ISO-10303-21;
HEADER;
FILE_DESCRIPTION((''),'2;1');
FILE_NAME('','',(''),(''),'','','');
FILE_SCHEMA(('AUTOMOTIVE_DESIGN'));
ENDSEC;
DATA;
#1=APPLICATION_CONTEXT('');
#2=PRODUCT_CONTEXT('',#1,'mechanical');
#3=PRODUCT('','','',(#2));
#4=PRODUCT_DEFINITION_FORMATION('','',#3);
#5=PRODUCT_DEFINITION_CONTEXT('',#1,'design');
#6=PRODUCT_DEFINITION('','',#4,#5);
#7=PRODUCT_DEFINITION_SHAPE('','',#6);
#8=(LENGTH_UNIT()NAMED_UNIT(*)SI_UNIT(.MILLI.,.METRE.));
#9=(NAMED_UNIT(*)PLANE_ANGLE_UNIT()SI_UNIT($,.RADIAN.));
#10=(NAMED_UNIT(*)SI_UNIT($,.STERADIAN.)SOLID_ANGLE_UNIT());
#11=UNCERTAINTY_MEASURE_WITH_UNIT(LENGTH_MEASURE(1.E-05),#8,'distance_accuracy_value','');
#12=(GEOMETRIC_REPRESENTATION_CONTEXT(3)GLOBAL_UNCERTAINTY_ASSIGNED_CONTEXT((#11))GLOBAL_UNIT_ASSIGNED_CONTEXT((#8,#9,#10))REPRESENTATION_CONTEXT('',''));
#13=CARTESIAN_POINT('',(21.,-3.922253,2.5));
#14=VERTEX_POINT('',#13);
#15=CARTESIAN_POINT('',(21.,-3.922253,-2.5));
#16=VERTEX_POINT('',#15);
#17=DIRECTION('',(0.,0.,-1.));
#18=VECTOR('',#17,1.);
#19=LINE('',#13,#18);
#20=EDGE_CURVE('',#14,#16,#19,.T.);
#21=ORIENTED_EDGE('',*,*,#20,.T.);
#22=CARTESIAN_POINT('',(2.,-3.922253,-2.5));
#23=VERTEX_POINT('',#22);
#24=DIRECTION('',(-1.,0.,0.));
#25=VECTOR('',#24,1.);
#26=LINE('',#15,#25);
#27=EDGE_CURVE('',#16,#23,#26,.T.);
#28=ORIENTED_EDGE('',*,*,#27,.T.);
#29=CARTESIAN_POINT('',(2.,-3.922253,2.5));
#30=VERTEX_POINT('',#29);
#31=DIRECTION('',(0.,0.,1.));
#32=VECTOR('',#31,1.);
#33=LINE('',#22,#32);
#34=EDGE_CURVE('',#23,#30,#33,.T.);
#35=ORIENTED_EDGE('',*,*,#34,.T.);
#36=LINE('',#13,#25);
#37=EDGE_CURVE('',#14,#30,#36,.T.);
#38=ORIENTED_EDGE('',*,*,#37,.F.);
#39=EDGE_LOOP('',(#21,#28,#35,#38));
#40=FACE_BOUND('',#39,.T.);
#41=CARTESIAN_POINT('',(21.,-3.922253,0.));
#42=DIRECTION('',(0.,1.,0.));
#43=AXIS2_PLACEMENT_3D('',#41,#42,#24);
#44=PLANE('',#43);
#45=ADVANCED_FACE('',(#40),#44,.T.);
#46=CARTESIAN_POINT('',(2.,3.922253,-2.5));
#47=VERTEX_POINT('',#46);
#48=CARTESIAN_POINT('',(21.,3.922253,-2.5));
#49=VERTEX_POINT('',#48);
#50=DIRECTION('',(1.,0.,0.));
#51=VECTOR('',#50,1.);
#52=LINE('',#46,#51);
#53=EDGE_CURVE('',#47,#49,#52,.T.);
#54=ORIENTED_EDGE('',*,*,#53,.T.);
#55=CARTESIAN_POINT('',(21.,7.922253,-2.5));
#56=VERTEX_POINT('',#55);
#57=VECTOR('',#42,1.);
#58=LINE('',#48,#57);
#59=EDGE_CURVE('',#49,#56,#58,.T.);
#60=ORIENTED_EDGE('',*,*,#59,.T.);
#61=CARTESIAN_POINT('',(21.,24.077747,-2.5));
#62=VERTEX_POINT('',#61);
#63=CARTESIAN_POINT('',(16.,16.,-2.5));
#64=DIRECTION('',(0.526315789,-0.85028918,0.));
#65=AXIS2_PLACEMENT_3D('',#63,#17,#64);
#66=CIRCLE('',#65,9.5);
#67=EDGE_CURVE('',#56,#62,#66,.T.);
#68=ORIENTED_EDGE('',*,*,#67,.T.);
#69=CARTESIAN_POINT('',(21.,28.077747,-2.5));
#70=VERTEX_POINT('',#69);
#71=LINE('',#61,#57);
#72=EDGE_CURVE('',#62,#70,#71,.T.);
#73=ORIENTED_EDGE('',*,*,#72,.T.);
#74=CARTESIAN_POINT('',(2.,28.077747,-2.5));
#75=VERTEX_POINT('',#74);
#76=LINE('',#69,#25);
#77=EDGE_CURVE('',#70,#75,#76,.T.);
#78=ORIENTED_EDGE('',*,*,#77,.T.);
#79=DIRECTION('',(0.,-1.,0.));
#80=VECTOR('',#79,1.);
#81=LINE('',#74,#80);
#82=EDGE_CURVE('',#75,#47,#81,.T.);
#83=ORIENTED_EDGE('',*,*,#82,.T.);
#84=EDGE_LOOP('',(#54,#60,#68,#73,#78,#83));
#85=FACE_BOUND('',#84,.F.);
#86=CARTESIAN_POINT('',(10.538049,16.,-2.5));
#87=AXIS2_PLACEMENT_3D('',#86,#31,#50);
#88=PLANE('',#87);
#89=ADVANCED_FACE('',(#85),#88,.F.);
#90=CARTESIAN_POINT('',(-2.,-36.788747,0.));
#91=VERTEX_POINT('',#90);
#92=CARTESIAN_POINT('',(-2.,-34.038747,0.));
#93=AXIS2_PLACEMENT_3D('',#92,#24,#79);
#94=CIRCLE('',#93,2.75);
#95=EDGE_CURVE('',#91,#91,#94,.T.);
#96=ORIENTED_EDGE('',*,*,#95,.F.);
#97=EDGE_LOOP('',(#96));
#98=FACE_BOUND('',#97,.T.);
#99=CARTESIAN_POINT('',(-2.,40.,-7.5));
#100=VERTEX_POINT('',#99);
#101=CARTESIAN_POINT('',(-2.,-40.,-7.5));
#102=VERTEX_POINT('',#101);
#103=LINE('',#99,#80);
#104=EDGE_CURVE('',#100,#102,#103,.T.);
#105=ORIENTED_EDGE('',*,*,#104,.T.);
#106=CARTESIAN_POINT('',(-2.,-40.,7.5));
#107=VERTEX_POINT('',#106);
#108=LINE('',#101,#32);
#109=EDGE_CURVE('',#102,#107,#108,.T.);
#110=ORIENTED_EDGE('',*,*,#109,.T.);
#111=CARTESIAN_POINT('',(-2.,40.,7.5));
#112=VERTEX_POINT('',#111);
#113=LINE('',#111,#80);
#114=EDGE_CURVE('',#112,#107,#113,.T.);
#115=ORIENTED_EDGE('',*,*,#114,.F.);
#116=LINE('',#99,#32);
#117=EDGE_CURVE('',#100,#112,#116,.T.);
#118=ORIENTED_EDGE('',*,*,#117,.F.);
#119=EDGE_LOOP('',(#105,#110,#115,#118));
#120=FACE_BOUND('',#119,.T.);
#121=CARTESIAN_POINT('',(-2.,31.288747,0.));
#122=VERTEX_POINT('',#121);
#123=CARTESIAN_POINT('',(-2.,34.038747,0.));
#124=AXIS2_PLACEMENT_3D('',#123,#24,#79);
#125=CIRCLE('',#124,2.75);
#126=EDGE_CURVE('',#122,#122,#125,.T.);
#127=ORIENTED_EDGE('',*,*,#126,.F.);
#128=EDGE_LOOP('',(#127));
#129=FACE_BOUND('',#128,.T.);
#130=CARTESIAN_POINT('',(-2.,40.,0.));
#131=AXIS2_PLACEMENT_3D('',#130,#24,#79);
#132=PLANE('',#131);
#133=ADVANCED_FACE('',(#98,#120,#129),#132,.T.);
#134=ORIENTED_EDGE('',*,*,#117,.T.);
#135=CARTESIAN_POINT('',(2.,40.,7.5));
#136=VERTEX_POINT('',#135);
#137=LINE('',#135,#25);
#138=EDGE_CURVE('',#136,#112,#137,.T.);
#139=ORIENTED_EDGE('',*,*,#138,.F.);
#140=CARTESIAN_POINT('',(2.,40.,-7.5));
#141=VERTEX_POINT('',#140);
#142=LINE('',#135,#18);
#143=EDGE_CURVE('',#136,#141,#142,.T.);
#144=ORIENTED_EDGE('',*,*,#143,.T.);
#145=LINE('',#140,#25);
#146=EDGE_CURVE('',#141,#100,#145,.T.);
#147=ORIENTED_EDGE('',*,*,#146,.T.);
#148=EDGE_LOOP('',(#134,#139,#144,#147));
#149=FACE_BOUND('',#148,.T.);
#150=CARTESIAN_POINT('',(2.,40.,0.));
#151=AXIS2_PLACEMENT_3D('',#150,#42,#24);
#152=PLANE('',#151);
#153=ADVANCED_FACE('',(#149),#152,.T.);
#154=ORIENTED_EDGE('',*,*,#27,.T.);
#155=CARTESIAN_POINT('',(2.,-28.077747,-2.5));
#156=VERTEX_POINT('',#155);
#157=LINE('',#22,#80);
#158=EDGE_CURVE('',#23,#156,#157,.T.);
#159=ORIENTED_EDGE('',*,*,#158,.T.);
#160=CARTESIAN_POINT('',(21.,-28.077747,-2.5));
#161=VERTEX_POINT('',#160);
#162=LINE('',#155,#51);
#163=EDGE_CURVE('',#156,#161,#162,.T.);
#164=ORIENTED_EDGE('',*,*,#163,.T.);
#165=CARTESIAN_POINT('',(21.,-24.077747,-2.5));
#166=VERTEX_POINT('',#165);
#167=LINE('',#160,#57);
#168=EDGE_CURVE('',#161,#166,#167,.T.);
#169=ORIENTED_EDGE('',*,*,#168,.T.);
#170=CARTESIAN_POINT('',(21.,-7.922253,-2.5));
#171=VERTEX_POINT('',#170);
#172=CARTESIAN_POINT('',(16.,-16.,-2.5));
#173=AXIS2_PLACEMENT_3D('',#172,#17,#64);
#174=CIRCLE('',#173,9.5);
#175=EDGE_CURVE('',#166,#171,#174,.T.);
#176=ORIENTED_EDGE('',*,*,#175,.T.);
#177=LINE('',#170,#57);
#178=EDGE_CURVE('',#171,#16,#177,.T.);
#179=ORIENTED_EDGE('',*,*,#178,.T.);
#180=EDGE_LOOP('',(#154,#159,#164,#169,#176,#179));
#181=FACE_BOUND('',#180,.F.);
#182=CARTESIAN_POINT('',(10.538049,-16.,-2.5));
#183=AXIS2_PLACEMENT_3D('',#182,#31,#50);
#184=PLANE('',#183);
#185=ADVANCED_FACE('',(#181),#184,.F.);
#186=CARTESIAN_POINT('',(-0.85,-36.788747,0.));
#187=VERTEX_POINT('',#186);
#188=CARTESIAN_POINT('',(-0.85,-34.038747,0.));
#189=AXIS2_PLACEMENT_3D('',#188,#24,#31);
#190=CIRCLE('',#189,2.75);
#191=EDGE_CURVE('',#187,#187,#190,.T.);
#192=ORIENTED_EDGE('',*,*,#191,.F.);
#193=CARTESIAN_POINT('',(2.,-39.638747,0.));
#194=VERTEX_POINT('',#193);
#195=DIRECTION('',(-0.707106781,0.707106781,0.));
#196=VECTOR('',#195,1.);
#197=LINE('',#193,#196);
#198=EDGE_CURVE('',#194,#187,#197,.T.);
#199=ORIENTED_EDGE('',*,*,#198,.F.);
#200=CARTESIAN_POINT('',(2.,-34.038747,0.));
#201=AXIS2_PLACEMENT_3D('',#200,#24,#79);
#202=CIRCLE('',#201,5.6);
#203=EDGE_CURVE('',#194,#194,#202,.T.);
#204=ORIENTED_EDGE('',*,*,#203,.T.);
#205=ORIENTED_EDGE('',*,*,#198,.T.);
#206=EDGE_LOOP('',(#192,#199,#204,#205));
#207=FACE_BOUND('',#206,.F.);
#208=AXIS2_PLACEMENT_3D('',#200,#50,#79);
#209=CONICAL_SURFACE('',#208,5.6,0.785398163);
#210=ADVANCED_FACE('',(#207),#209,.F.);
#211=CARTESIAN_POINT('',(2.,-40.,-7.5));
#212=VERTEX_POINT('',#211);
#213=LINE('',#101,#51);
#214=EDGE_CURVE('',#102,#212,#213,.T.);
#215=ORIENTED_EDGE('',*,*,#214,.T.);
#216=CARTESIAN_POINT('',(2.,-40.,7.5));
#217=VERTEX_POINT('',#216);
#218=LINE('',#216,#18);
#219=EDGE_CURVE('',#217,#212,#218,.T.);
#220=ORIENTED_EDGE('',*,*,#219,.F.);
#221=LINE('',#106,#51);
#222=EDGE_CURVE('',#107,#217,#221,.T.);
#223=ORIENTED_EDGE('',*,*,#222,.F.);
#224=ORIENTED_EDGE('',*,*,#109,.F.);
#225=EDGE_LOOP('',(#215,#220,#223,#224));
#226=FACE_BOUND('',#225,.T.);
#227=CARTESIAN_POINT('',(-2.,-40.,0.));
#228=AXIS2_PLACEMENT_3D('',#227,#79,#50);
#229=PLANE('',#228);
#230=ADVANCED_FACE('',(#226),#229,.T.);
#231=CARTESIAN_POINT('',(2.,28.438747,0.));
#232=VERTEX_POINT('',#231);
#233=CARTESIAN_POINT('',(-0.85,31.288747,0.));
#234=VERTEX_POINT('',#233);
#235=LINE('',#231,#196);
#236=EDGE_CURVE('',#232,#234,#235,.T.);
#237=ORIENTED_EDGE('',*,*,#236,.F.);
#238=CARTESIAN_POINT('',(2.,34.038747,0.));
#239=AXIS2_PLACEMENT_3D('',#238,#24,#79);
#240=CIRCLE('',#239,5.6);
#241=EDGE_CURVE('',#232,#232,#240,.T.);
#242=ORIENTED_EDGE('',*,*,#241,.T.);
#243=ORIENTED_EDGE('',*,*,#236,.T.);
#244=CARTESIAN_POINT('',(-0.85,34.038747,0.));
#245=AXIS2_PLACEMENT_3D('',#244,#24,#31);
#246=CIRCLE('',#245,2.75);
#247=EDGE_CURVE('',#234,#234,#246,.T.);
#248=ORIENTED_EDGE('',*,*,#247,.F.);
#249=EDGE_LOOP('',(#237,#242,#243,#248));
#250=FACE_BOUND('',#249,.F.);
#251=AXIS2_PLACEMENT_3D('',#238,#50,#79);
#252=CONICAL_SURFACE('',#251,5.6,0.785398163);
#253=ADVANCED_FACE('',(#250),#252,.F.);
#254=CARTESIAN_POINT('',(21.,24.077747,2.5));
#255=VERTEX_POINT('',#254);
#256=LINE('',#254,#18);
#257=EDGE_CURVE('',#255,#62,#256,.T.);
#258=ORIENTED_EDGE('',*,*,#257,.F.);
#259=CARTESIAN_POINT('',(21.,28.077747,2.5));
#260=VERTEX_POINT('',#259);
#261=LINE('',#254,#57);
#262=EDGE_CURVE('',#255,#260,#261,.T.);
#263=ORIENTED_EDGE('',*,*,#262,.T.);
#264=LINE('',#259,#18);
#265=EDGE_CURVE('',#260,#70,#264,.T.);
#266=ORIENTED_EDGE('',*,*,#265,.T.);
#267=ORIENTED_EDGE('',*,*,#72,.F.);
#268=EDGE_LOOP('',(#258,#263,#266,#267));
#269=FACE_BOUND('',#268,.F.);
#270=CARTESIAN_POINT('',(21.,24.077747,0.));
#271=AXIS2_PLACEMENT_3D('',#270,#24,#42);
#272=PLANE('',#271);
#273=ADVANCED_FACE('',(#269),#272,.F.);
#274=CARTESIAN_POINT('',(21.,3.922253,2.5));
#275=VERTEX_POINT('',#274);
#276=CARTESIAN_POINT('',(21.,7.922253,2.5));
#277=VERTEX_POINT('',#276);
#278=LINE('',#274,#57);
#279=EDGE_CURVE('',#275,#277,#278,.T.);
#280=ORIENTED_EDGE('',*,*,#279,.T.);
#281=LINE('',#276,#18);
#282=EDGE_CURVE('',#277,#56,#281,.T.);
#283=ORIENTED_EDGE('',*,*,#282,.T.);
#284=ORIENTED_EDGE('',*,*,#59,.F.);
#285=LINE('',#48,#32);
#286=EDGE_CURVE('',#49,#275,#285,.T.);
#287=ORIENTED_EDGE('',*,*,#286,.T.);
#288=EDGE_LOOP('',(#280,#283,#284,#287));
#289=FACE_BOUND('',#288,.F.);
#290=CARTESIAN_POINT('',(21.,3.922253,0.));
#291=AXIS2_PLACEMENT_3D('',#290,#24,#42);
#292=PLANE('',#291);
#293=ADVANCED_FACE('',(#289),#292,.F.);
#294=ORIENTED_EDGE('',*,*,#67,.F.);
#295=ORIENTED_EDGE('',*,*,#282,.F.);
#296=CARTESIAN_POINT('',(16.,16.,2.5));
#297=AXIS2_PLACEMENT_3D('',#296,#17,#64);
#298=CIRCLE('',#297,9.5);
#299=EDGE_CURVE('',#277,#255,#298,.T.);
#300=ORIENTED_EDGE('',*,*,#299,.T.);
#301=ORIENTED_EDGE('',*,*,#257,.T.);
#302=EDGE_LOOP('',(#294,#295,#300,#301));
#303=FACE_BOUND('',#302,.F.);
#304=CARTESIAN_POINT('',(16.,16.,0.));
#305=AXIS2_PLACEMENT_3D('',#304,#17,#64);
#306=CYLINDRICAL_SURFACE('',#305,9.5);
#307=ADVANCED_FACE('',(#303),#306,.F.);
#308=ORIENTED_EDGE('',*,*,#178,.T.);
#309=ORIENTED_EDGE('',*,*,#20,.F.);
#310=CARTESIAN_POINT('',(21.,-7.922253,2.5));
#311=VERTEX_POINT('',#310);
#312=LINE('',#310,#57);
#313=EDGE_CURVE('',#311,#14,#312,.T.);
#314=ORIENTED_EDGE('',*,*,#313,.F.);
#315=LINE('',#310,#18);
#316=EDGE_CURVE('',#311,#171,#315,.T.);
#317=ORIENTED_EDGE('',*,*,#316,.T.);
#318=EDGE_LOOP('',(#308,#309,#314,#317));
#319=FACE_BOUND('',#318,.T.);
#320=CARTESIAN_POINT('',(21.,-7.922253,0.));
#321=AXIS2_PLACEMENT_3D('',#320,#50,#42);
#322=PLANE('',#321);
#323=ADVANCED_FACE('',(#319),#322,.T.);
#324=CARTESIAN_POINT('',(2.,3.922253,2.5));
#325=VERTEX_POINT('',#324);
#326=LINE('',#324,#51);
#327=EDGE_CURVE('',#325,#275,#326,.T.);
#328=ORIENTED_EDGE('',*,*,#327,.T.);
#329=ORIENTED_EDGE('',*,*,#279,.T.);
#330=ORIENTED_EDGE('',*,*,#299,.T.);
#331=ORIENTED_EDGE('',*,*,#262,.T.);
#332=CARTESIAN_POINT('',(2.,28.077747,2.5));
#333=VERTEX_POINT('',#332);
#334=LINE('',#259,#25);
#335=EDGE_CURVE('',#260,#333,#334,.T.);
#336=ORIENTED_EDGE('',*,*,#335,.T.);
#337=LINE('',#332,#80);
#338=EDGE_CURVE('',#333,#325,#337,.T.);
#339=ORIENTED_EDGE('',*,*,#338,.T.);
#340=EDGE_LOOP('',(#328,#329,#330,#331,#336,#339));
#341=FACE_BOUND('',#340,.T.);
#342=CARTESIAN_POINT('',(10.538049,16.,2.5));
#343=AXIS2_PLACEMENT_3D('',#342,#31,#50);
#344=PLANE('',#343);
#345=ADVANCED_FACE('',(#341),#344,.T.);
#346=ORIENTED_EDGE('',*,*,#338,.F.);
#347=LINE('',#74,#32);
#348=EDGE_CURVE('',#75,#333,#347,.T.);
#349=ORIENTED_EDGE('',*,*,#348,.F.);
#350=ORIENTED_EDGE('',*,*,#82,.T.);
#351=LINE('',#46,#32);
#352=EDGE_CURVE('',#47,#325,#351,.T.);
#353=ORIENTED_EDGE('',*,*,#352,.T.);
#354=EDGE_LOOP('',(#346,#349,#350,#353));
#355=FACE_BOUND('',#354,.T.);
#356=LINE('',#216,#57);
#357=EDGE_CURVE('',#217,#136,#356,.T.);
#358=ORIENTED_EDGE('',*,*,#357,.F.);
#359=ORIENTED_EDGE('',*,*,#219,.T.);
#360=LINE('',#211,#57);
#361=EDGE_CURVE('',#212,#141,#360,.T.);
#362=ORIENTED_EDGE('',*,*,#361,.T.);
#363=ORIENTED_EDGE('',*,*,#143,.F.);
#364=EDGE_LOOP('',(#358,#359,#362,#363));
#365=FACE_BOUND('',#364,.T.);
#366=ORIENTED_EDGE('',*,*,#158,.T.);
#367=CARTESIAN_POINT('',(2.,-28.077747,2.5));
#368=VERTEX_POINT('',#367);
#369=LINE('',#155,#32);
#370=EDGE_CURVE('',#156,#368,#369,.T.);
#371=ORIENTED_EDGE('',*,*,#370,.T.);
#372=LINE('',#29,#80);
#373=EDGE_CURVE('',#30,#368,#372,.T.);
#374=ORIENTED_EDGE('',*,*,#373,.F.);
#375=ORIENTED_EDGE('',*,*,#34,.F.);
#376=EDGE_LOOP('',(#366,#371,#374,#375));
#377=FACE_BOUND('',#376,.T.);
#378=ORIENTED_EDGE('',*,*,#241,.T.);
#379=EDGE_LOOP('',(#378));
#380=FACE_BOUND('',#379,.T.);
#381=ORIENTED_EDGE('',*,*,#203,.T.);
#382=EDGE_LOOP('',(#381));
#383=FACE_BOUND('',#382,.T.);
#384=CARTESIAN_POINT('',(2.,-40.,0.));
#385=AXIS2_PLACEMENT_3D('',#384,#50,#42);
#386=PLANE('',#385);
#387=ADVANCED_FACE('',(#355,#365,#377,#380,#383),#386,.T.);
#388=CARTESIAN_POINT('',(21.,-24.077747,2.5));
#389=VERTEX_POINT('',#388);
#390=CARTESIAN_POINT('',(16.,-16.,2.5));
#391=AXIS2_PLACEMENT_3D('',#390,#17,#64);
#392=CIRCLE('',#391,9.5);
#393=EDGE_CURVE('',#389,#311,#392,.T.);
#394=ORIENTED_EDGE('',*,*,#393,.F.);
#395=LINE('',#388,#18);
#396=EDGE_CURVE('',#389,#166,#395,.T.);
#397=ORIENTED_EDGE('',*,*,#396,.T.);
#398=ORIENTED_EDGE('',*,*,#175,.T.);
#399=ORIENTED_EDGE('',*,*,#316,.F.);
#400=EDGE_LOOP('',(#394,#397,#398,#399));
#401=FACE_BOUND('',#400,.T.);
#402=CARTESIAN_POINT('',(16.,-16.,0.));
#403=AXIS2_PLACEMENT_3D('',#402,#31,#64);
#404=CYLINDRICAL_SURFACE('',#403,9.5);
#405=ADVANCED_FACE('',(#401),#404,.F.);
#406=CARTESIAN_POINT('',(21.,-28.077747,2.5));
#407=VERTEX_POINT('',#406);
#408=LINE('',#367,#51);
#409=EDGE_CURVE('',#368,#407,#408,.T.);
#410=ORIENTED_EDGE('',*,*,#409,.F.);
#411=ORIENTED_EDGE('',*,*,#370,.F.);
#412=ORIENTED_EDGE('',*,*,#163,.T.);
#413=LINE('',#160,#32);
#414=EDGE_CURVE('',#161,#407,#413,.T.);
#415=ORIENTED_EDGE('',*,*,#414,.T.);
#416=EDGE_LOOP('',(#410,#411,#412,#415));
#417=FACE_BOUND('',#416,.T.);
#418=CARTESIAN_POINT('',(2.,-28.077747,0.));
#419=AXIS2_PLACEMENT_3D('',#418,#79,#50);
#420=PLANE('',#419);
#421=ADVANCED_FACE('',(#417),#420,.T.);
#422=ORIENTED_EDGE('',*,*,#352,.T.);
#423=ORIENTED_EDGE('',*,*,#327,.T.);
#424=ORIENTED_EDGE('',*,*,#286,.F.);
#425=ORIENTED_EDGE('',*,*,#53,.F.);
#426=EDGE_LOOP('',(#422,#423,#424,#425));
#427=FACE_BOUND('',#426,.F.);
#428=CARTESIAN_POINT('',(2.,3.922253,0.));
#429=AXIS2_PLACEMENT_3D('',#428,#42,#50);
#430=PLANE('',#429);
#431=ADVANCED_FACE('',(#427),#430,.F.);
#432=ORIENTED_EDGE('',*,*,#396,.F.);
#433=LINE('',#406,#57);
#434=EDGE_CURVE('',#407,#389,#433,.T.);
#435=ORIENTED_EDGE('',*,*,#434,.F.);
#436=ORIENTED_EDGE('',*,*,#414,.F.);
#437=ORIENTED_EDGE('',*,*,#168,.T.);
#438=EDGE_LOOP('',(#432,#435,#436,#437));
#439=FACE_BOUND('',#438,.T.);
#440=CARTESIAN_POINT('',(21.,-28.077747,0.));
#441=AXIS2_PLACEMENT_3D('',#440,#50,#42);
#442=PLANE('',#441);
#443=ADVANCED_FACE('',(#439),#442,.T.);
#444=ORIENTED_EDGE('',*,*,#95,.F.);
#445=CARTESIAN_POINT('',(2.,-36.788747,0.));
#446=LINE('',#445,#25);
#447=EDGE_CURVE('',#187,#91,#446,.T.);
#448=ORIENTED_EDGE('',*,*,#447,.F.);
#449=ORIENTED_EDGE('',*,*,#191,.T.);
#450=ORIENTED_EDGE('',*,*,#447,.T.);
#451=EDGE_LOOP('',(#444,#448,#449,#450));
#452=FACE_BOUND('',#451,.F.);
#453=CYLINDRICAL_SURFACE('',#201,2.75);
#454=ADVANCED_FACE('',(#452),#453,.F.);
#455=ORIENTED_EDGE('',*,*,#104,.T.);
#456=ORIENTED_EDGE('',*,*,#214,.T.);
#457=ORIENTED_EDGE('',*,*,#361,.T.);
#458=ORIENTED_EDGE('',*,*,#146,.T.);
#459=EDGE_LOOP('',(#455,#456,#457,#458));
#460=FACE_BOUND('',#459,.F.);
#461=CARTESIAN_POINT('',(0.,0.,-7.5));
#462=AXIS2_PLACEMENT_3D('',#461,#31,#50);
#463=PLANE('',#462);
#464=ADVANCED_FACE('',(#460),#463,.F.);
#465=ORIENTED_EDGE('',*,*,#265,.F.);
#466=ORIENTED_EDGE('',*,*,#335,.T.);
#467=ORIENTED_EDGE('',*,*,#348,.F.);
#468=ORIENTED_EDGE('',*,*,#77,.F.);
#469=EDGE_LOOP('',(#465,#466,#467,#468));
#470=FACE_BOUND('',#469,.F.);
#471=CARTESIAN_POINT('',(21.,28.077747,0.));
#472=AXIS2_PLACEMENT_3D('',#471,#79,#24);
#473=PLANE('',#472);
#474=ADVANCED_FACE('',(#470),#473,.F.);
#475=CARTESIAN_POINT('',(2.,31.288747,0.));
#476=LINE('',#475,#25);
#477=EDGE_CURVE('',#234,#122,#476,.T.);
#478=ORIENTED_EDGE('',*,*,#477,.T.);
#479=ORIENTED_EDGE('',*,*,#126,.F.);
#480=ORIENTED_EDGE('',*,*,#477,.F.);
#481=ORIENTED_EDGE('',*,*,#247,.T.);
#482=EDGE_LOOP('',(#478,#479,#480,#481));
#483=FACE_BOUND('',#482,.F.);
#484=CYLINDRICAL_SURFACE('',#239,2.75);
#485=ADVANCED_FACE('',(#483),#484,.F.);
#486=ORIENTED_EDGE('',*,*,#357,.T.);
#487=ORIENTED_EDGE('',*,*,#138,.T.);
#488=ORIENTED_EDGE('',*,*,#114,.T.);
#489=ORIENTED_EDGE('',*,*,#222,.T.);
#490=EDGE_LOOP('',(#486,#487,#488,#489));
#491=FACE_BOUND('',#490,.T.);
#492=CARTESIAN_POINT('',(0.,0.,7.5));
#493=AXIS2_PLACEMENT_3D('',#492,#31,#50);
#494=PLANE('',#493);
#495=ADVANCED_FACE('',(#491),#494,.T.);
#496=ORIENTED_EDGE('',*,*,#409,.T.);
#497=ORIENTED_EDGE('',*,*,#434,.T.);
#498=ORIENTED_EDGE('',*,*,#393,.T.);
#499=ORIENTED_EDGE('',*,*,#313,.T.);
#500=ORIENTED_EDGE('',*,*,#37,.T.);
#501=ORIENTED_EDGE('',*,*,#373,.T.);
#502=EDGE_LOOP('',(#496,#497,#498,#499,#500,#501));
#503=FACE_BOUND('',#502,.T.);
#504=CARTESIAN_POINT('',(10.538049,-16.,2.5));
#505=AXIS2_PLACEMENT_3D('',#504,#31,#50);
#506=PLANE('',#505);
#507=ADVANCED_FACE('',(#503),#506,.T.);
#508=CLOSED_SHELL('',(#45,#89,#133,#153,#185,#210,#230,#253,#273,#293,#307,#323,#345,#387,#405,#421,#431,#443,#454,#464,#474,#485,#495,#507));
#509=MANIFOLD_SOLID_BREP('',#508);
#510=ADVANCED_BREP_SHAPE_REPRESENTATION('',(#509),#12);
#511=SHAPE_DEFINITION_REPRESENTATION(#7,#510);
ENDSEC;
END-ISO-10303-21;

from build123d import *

# Parameters (mm, degrees)
F1_DEPTH       = 7.5
F2_DEPTH       = 2.5
F4_D           = 5.5
F4_DEPTH       = 8
F4_CSINK_D     = 11.2
F4_CSINK_ANGLE = 90
F4_TIP         = 1.6523667023


with BuildPart() as f1:
    # F0 (on Top) → F1 (new body, symmetric)
    with BuildSketch(Plane.XY):
        Polygon((2, 28.0777472107), (2, 40), (-2, 40), (-2, -40), (2, -40), (2, -28.0777472107), (2, -3.9222527893), (2, 3.9222527893), align=None)
    extrude(amount=F1_DEPTH, both=True)

    # F0 (on Top) → F2 (join, symmetric)
    with BuildSketch(Plane.XY):
        with BuildLine():
            Line((21, 28.0777472107), (2, 28.0777472107))
            Line((2, 28.0777472107), (2, 3.9222527893))
            Line((2, 3.9222527893), (21, 3.9222527893))
            Line((21, 3.9222527893), (21, 7.9222527893))
            ThreePointArc((21, 7.9222527893), (6.5, 16), (21, 24.0777472107))
            Line((21, 24.0777472107), (21, 28.0777472107))
        make_face()
        with BuildLine():
            Line((21, -3.9222527893), (2, -3.9222527893))
            Line((2, -3.9222527893), (2, -28.0777472107))
            Line((2, -28.0777472107), (21, -28.0777472107))
            Line((21, -28.0777472107), (21, -24.0777472107))
            ThreePointArc((21, -24.0777472107), (6.5, -16), (21, -7.9222527893))
            Line((21, -7.9222527893), (21, -3.9222527893))
        make_face()
    extrude(amount=F2_DEPTH, both=True)

    # F4
    with Locations(Plane.YZ.offset(2)):
        with Locations((-34.0387472107, 0), (34.0387472107, 0)):
            CounterSinkHole(F4_D / 2, F4_CSINK_D / 2, depth=F4_DEPTH, counter_sink_angle=F4_CSINK_ANGLE)
            with Locations((0, 0, -(F4_DEPTH + F4_TIP / 2))):  # 118° drill point
                Cone(0, F4_D / 2, F4_TIP, mode=Mode.SUBTRACT)


solid = f1.part
